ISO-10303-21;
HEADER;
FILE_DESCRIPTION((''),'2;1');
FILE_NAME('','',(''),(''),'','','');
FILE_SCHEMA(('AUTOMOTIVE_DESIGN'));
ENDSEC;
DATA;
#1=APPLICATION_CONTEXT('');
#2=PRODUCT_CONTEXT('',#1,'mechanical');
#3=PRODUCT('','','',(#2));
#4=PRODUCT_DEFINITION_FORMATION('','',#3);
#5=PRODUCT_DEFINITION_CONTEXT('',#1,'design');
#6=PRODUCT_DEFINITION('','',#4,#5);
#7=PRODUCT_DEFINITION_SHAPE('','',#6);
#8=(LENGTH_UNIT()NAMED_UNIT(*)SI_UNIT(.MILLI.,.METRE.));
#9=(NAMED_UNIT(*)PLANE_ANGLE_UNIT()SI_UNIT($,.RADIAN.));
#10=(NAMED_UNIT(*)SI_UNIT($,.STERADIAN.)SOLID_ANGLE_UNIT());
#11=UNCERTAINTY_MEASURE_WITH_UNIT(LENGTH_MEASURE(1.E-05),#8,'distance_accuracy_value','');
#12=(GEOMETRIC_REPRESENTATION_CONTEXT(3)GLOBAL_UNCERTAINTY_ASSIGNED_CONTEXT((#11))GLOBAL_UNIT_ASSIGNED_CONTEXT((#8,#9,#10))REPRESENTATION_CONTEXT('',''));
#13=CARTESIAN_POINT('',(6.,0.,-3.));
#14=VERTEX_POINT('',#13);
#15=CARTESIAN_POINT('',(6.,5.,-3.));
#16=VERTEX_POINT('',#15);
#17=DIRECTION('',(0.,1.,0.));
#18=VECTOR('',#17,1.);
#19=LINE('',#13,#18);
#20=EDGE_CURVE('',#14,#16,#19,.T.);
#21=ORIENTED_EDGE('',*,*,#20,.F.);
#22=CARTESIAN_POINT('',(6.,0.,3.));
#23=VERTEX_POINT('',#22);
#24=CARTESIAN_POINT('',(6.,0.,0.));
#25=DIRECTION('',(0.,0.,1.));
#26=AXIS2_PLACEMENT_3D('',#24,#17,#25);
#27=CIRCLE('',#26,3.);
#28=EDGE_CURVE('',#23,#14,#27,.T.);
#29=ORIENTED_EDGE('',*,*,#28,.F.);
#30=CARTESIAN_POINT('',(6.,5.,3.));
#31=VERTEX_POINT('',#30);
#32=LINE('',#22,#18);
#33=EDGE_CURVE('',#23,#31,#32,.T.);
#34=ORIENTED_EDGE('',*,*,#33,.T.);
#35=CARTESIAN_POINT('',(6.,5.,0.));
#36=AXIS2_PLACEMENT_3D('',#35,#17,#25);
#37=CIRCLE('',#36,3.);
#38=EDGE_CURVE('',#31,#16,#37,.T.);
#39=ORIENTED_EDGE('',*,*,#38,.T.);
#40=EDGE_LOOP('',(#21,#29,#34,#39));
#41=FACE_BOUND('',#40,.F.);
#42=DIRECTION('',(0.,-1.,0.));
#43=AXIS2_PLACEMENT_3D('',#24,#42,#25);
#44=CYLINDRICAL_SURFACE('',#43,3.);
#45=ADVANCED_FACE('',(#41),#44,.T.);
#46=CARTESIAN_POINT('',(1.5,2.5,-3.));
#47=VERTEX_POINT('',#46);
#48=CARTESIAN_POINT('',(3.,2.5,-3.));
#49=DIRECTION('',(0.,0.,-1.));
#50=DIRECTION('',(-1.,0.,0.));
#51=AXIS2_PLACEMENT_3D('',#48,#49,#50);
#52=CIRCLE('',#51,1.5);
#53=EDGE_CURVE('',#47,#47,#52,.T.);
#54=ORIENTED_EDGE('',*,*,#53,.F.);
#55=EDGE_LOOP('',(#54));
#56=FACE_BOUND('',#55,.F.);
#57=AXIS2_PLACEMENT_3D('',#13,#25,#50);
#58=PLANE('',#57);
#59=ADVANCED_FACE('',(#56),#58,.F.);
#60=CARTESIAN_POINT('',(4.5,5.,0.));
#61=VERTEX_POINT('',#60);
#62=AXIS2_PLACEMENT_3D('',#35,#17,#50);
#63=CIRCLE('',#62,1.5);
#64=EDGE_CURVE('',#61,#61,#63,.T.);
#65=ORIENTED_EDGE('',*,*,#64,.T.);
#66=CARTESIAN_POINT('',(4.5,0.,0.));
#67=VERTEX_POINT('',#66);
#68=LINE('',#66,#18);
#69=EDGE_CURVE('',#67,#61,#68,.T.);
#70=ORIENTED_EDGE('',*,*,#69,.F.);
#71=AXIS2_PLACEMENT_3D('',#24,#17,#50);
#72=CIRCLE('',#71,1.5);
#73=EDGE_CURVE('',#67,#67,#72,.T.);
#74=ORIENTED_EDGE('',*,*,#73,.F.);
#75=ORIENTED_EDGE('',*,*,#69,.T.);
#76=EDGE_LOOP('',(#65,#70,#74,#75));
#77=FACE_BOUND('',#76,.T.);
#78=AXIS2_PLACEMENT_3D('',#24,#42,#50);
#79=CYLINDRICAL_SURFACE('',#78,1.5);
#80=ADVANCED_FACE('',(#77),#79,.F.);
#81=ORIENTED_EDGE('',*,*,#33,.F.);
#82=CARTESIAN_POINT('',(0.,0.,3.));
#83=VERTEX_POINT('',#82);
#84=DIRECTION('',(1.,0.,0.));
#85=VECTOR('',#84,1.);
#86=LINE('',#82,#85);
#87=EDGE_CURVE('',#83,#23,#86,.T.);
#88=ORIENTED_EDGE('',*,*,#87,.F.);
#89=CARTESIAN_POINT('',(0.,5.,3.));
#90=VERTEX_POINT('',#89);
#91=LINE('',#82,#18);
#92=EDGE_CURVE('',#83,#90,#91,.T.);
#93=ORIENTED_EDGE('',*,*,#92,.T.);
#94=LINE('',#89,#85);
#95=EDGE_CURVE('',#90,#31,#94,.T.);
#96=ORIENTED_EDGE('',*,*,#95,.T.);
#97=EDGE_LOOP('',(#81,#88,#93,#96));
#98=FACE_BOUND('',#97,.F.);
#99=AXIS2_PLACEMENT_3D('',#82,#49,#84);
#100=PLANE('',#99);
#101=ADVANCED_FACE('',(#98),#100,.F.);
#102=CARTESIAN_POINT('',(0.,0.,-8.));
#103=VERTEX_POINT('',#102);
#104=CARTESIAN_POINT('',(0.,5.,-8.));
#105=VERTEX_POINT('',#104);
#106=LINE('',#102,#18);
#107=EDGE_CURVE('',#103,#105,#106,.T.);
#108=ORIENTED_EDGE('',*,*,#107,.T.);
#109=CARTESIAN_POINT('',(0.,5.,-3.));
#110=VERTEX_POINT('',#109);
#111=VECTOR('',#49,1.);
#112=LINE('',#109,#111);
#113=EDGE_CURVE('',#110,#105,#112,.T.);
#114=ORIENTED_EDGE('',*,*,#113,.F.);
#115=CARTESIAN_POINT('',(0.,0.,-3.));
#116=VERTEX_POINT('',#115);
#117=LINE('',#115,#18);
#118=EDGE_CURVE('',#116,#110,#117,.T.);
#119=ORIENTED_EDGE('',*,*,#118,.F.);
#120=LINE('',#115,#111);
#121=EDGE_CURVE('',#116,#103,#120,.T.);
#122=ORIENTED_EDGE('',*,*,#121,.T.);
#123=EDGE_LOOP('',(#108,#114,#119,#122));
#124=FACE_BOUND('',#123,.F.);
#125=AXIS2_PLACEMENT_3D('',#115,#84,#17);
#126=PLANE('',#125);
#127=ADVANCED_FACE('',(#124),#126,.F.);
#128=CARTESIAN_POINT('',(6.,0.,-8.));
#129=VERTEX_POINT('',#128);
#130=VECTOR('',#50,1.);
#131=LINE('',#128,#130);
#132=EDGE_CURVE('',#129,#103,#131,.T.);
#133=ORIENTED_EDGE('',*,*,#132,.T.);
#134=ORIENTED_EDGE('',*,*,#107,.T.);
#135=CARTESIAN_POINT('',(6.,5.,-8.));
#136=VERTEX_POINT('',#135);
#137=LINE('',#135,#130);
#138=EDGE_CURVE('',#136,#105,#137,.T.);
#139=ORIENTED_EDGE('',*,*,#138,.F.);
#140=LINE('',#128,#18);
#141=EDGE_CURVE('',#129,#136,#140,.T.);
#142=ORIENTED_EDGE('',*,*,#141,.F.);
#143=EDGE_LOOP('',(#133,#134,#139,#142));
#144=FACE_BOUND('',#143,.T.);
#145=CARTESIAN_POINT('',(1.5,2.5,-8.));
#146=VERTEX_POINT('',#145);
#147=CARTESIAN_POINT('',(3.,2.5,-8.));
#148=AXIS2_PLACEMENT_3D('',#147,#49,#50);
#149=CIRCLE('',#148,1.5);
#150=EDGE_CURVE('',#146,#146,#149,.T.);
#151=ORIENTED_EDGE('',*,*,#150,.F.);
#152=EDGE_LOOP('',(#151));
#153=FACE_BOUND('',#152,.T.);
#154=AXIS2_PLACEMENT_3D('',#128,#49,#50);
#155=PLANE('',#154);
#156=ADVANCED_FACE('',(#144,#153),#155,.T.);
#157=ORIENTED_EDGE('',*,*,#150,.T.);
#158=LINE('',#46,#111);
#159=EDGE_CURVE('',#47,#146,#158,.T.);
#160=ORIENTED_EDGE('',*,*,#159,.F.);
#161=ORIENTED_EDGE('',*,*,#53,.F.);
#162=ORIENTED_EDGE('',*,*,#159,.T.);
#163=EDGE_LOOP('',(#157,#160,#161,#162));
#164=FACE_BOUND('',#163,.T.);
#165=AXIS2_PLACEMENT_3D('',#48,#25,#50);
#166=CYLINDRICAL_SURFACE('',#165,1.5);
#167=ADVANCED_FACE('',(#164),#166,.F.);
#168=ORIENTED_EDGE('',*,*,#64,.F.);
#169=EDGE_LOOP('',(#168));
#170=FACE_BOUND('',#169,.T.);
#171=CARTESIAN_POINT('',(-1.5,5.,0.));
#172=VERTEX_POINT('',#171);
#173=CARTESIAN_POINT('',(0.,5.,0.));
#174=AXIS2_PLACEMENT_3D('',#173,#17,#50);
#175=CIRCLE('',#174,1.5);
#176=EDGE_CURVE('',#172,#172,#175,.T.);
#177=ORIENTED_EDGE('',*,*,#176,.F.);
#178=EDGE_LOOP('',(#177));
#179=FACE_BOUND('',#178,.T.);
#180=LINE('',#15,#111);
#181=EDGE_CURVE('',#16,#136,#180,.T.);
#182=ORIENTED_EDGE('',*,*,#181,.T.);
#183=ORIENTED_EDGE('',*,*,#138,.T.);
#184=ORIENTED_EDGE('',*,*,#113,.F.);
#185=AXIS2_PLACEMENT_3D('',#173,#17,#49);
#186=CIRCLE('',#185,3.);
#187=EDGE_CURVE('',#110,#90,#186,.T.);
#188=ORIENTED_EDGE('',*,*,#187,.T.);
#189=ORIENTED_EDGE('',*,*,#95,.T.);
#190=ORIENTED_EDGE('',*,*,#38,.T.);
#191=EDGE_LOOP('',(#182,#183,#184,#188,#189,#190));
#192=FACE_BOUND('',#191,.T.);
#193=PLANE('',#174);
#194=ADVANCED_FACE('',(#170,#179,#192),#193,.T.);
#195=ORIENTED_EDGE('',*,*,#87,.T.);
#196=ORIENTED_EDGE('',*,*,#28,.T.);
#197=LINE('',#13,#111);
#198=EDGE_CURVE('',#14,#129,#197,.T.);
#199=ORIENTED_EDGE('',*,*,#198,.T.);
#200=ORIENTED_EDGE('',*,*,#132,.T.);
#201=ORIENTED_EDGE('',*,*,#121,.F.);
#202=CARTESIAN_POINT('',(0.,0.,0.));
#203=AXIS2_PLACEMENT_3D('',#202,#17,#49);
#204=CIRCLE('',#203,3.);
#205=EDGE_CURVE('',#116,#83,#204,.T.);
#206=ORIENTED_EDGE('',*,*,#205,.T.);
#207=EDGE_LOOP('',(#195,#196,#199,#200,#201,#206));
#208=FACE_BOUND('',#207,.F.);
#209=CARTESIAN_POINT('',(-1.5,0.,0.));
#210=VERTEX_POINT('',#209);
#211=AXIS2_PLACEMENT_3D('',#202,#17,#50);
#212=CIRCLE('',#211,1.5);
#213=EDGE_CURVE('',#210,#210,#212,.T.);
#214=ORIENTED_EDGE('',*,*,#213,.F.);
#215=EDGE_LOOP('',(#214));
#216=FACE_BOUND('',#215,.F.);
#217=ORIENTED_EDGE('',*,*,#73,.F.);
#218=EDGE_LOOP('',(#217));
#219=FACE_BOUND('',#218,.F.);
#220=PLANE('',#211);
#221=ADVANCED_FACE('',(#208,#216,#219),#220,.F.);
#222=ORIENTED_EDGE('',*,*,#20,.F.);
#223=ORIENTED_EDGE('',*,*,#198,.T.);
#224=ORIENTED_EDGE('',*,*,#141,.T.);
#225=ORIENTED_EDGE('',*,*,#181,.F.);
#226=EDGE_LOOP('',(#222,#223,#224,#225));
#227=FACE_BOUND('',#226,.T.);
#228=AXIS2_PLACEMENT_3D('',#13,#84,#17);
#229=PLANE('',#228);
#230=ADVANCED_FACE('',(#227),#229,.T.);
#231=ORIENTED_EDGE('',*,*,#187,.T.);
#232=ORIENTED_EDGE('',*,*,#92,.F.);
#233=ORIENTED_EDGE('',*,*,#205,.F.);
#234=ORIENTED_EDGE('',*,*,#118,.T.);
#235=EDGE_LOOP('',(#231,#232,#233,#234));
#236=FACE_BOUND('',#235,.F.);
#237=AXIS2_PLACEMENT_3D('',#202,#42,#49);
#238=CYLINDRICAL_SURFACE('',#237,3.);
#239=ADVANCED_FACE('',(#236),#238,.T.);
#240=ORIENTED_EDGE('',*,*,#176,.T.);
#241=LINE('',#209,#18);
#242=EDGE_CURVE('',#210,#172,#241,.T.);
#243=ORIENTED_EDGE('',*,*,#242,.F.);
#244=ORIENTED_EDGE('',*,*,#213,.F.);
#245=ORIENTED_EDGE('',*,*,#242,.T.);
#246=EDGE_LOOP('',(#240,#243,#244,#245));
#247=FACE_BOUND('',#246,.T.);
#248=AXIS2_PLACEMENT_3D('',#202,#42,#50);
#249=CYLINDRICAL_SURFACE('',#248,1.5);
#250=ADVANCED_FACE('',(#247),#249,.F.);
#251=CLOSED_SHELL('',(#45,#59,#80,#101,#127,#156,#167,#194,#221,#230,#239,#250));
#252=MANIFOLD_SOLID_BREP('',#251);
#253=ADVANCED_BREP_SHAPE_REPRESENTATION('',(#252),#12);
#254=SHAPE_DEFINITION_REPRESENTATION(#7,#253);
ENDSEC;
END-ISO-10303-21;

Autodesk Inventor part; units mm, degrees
ref_plane "YZ Plane" through (0, 0, 0) normal (1, 0, 0) x (0, 1, 0)
ref_plane "XZ Plane" through (0, 0, 0) normal (0, 1, 0) x (-1, 0, 0)
ref_plane "XY Plane" through (0, 0, 0) normal (0, 0, 1) x (1, 0, 0)
sketch "草图1" plane through (0, 0, 0) normal (0, 1, 0) x (-1, 0, 0)
  line L0 (0, 0) -> (-6, 0) construction
  line L1 (0, 3) -> (-6, 3)
  line L2 (-6, -3) -> (0, -3)
  arc A0 (0, -3) -> (0, 3) centre (0, 0) ccw
  arc A1 (-6, 3) -> (-6, -3) centre (-6, 0) ccw
  circle A2 centre (0, 0) radius 1.5
  circle A3 centre (-6, 0) radius 1.5
  point P0 (-3, 0)
  dimension "d0" = 6
  dimension "d1" = 3
  dimension "d2" = 3
  dimension "d3" = 1.5
extrude "拉伸1" add sketch "草图1" along normal blind 5
sketch "草图2" plane through (6, 0, -3) normal (0, 0, -1) x (-1, 0, 0)
  line L0 (0, 0) -> (6, 0) projected
  line L1 (6, 0) -> (6, 5) projected
  line L2 (0, 5) -> (6, 5) projected
  line L3 (0, 0) -> (0, 5) projected
  line L4 (0, 0) -> (6, 0)
  line L5 (6, 0) -> (6, 5)
  line L6 (6, 5) -> (0, 5)
  line L7 (0, 5) -> (0, 0)
  line L8 (0, 0) -> (6, 5) construction
  line L9 (6, 0) -> (0, 5) construction
  line L10 (0, 5) -> (6, 5) projected
  line L11 (6, 0) -> (6, 5) projected
  line L12 (0, 0) -> (6, 0) projected
  line L13 (0, 0) -> (0, 5) projected
  circle A0 centre (3, 2.5) radius 1.5
  dimension "d6" = 3
extrude "拉伸2" add sketch "草图2" along normal blind 5
properties part number "夹爪连接件"
